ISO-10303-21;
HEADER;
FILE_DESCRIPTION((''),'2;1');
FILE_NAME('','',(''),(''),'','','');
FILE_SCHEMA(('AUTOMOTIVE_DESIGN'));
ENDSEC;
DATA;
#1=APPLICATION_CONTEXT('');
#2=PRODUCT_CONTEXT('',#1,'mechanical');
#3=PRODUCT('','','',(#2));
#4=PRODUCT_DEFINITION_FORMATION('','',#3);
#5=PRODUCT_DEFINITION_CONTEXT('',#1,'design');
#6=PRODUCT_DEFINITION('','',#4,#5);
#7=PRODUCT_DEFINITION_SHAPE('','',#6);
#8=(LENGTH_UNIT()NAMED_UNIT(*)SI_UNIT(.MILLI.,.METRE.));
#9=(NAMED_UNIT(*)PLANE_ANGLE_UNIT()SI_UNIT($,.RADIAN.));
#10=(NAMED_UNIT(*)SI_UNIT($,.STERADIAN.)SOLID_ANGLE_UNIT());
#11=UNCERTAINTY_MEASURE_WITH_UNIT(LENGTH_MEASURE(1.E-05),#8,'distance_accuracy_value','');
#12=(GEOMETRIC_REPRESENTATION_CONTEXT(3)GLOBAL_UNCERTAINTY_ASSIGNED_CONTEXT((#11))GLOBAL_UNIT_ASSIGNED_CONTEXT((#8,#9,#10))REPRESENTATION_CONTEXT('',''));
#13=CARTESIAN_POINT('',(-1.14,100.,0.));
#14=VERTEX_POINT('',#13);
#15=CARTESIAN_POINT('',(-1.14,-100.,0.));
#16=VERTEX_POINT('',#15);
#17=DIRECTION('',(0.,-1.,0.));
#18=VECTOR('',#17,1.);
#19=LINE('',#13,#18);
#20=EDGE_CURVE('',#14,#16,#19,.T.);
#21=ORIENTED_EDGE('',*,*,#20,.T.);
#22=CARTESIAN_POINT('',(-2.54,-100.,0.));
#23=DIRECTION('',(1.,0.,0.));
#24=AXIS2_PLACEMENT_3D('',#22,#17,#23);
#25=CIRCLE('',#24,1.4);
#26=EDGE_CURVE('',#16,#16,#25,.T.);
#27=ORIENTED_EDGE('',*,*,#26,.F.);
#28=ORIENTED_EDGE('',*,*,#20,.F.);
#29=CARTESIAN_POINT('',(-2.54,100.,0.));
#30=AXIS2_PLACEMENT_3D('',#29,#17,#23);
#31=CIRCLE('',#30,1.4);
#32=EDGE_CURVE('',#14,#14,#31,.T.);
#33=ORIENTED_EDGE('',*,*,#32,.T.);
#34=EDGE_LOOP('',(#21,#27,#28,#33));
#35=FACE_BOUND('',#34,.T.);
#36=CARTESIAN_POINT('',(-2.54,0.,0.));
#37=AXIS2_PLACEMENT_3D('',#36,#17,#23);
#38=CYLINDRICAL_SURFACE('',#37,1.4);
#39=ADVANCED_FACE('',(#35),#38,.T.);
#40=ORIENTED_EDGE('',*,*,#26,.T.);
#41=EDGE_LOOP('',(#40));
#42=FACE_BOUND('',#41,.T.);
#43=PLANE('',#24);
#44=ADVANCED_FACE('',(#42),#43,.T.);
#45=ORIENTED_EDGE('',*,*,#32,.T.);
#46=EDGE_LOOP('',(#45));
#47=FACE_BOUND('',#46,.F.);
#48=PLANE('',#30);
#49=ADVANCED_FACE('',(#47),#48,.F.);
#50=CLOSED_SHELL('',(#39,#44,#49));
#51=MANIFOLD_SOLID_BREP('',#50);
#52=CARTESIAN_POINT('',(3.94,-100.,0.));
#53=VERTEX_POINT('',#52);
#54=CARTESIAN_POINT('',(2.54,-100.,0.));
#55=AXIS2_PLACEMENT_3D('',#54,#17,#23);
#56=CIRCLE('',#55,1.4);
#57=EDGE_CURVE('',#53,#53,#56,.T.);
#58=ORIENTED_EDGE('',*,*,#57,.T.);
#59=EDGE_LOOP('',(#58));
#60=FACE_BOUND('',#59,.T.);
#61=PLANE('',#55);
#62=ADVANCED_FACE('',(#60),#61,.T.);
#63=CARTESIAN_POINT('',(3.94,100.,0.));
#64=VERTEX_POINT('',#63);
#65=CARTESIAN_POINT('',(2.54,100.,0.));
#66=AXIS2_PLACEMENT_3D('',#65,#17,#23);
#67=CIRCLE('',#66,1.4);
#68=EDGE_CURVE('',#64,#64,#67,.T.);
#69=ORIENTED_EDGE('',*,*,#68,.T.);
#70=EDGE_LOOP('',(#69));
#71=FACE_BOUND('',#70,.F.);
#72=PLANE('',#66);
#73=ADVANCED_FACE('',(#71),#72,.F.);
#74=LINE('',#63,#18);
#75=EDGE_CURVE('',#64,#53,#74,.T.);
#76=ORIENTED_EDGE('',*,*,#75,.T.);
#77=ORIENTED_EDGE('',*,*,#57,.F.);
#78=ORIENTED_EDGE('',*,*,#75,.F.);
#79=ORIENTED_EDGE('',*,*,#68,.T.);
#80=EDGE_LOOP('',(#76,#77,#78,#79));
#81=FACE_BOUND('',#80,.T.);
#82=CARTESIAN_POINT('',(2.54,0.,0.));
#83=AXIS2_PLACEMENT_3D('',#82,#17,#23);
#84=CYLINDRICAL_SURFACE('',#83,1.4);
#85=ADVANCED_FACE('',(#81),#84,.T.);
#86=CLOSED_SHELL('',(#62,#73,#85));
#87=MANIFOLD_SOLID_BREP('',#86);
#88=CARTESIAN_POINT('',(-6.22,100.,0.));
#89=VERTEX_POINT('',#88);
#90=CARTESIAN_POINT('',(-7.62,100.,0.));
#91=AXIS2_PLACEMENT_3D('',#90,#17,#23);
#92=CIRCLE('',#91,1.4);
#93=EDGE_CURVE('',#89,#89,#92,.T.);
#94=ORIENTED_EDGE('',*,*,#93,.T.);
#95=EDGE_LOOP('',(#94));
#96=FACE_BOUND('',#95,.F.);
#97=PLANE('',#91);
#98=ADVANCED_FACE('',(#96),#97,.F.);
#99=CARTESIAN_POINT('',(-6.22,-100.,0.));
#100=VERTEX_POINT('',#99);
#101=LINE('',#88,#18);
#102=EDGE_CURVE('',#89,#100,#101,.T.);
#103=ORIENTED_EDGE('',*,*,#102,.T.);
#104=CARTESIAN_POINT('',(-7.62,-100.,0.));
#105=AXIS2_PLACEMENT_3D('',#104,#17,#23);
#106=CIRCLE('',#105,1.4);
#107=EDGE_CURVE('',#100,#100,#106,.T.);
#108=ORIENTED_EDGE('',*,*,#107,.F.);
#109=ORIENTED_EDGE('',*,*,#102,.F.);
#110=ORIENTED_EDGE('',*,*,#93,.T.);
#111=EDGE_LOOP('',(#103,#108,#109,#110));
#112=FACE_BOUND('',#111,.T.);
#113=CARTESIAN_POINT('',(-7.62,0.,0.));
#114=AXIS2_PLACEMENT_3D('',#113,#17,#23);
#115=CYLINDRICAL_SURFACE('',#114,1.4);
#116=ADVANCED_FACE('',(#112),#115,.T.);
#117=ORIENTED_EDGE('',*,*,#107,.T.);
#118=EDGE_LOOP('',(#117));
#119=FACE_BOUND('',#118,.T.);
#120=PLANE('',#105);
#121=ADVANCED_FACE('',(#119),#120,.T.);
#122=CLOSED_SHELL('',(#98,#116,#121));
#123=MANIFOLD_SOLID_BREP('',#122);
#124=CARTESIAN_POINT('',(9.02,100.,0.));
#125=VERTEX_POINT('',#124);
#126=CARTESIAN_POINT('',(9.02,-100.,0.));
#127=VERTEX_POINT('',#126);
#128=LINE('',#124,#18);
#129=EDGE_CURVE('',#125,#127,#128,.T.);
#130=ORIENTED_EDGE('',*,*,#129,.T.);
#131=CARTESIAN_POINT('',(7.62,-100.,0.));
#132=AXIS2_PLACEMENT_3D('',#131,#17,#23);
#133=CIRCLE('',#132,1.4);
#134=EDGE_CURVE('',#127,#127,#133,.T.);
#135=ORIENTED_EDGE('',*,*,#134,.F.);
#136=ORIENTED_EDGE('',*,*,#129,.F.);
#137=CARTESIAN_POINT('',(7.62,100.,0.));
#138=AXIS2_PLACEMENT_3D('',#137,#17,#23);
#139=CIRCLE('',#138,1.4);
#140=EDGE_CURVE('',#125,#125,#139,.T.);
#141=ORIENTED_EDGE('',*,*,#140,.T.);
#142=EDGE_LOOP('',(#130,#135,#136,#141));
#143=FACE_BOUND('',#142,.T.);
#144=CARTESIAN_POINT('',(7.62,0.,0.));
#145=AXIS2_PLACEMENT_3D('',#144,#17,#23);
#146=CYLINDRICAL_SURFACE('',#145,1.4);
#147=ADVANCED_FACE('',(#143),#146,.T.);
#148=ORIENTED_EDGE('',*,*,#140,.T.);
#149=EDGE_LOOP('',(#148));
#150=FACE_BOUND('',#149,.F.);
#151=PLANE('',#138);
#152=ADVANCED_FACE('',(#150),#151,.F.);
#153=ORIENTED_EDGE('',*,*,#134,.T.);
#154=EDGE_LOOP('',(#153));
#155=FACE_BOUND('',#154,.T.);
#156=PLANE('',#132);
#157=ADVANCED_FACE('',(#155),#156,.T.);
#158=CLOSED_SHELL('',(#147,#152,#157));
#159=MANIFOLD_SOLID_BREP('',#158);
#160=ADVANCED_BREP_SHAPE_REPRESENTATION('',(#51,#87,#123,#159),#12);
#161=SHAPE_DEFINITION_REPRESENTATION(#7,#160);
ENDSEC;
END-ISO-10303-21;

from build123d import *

# Parameters (mm, degrees)
F0_R     = 1.4
F1_DEPTH = 100


with BuildPart() as f1:
    # F0 (on Front) → F1 (new body, symmetric)
    with BuildSketch(Plane.XZ):
        with Locations((-7.62, 0)):
            Circle(F0_R)
    extrude(amount=F1_DEPTH, both=True)


with BuildPart() as f1b:
    # F0 (on Front) → F1, piece 2 (new body, symmetric)
    with BuildSketch(Plane.XZ):
        with Locations((-2.54, 0)):
            Circle(F0_R)
    extrude(amount=F1_DEPTH, both=True)


with BuildPart() as f1c:
    # F0 (on Front) → F1, piece 3 (new body, symmetric)
    with BuildSketch(Plane.XZ):
        with Locations((2.54, 0)):
            Circle(F0_R)
    extrude(amount=F1_DEPTH, both=True)


with BuildPart() as f1d:
    # F0 (on Front) → F1, piece 4 (new body, symmetric)
    with BuildSketch(Plane.XZ):
        with Locations((7.62, 0)):
            Circle(F0_R)
    extrude(amount=F1_DEPTH, both=True)


solid = Compound([f1.part, f1b.part, f1c.part, f1d.part])
